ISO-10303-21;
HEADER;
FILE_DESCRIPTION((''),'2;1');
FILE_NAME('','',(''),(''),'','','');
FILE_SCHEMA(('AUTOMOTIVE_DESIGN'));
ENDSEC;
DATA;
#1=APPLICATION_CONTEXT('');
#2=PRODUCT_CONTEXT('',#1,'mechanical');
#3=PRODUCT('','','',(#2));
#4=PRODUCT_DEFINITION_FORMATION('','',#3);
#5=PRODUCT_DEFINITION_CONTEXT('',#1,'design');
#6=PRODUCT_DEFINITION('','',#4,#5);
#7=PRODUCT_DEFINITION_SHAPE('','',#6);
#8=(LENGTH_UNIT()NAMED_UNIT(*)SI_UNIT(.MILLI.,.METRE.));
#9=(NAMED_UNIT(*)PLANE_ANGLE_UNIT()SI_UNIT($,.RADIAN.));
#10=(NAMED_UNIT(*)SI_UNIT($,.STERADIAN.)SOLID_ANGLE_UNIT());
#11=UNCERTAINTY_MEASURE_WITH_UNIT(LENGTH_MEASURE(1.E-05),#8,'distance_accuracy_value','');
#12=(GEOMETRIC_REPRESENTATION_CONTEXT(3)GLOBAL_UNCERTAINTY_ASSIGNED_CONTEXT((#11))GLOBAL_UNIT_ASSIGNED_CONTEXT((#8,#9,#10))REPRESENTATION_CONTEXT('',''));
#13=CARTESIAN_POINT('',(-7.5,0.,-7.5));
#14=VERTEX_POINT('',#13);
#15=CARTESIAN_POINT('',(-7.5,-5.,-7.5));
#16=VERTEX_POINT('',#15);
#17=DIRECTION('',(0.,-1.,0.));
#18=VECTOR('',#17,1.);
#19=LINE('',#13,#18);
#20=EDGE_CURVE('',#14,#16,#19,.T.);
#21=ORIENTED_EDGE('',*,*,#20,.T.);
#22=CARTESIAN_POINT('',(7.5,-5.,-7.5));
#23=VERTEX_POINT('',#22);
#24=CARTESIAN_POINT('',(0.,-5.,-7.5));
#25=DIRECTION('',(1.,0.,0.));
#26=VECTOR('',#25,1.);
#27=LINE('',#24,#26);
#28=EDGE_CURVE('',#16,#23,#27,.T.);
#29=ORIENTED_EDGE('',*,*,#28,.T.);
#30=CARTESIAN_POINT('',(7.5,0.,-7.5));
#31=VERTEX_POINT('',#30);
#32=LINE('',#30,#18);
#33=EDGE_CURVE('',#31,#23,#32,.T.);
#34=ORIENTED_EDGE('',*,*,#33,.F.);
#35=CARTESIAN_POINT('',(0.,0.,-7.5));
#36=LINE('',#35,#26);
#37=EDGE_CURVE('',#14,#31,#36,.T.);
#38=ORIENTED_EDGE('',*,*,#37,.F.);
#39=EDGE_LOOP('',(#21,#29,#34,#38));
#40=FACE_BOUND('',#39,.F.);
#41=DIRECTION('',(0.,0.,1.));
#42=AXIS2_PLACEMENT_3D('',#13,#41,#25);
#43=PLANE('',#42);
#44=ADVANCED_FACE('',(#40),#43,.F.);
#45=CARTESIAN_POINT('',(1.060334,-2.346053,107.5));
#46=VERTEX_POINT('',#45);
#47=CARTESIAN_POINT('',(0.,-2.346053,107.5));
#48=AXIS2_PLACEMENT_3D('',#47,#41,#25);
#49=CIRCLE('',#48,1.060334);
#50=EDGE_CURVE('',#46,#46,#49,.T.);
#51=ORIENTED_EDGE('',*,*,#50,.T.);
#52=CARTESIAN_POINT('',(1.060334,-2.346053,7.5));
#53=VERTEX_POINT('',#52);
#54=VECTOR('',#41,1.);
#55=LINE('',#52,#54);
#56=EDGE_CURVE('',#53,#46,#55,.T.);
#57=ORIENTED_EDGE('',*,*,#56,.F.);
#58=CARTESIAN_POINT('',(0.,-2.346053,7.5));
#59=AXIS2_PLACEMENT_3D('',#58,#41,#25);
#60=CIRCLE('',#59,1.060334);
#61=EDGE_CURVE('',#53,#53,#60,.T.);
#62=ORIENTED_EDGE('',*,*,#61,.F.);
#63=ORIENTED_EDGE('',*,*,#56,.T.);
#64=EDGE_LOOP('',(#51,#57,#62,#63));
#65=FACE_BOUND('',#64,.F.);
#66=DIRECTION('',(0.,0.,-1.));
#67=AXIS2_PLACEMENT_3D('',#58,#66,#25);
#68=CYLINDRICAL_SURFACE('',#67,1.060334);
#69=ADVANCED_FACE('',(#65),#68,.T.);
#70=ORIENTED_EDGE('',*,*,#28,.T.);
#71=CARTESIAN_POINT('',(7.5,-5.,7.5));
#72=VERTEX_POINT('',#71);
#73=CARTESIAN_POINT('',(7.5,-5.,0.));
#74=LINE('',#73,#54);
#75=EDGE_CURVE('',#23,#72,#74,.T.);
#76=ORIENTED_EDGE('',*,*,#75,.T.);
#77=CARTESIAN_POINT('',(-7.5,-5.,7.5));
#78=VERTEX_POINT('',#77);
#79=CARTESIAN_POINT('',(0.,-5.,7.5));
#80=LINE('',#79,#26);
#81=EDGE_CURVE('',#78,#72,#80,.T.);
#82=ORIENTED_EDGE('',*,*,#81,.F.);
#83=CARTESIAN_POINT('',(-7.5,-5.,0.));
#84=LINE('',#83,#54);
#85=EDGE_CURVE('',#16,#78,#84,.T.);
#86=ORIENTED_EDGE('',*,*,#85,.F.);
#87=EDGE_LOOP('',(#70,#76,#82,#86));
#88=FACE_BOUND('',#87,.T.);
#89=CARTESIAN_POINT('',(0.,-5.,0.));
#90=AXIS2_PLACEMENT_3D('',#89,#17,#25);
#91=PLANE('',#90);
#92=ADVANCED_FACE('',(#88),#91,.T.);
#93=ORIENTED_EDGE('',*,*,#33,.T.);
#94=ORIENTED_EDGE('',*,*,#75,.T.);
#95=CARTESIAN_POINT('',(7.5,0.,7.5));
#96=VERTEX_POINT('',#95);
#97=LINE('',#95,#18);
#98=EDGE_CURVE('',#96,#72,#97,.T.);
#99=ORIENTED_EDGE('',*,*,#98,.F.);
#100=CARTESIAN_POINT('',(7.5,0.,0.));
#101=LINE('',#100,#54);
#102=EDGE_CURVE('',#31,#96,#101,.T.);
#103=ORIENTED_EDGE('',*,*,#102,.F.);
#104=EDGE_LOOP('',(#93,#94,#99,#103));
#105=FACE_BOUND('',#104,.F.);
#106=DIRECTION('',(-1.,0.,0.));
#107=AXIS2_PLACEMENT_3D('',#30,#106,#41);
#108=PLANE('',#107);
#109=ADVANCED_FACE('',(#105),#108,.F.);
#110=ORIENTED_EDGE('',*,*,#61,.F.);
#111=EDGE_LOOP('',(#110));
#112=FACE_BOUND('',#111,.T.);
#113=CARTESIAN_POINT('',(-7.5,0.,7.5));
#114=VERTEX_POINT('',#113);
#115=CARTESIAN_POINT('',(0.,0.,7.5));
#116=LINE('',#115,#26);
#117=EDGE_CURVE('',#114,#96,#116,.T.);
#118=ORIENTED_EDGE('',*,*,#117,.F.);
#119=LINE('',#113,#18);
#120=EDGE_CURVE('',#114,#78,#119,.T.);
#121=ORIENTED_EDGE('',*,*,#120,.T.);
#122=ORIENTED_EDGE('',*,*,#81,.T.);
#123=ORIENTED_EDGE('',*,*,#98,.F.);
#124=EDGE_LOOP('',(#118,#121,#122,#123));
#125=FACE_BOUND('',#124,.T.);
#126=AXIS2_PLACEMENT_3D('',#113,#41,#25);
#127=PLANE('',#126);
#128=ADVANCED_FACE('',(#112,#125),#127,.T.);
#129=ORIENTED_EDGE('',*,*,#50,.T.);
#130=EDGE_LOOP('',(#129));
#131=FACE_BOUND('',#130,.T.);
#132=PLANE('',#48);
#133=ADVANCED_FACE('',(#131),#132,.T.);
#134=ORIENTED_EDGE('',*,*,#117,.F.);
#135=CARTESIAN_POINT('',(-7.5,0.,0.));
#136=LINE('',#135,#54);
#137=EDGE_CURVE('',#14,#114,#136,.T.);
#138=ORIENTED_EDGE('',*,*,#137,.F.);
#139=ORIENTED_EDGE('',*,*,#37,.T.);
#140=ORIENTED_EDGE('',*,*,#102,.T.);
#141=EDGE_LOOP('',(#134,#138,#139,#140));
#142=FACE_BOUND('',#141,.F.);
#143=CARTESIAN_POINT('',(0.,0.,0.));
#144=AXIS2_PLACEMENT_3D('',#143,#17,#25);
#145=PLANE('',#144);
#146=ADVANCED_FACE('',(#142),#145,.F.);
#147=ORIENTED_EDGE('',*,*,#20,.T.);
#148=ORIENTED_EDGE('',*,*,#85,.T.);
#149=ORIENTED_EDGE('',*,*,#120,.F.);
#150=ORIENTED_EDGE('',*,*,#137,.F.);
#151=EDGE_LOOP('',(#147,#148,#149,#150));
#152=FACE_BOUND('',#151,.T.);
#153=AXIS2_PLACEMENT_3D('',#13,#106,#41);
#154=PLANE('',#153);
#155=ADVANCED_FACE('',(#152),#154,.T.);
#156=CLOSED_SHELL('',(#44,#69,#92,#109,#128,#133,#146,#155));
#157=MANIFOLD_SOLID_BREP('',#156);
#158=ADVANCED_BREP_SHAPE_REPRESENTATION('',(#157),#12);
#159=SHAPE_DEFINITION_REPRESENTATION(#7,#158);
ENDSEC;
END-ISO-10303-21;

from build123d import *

# Parameters (mm, degrees)
F0_W     = 15
F0_H     = 15
F1_DEPTH = 5
F2_R     = 1.060334
F3_DEPTH = 100


with BuildPart() as f1:
    # F0 (on Front) → F1 (new body)
    with BuildSketch(Plane.XZ):
        Rectangle(F0_W, F0_H)
    extrude(amount=F1_DEPTH)

    # F2 (on face) → F3 (join)
    with BuildSketch(Plane.XY.offset(7.5)):
        with Locations((0, -2.346053)):
            Circle(F2_R)
    extrude(amount=F3_DEPTH)


solid = f1.part
